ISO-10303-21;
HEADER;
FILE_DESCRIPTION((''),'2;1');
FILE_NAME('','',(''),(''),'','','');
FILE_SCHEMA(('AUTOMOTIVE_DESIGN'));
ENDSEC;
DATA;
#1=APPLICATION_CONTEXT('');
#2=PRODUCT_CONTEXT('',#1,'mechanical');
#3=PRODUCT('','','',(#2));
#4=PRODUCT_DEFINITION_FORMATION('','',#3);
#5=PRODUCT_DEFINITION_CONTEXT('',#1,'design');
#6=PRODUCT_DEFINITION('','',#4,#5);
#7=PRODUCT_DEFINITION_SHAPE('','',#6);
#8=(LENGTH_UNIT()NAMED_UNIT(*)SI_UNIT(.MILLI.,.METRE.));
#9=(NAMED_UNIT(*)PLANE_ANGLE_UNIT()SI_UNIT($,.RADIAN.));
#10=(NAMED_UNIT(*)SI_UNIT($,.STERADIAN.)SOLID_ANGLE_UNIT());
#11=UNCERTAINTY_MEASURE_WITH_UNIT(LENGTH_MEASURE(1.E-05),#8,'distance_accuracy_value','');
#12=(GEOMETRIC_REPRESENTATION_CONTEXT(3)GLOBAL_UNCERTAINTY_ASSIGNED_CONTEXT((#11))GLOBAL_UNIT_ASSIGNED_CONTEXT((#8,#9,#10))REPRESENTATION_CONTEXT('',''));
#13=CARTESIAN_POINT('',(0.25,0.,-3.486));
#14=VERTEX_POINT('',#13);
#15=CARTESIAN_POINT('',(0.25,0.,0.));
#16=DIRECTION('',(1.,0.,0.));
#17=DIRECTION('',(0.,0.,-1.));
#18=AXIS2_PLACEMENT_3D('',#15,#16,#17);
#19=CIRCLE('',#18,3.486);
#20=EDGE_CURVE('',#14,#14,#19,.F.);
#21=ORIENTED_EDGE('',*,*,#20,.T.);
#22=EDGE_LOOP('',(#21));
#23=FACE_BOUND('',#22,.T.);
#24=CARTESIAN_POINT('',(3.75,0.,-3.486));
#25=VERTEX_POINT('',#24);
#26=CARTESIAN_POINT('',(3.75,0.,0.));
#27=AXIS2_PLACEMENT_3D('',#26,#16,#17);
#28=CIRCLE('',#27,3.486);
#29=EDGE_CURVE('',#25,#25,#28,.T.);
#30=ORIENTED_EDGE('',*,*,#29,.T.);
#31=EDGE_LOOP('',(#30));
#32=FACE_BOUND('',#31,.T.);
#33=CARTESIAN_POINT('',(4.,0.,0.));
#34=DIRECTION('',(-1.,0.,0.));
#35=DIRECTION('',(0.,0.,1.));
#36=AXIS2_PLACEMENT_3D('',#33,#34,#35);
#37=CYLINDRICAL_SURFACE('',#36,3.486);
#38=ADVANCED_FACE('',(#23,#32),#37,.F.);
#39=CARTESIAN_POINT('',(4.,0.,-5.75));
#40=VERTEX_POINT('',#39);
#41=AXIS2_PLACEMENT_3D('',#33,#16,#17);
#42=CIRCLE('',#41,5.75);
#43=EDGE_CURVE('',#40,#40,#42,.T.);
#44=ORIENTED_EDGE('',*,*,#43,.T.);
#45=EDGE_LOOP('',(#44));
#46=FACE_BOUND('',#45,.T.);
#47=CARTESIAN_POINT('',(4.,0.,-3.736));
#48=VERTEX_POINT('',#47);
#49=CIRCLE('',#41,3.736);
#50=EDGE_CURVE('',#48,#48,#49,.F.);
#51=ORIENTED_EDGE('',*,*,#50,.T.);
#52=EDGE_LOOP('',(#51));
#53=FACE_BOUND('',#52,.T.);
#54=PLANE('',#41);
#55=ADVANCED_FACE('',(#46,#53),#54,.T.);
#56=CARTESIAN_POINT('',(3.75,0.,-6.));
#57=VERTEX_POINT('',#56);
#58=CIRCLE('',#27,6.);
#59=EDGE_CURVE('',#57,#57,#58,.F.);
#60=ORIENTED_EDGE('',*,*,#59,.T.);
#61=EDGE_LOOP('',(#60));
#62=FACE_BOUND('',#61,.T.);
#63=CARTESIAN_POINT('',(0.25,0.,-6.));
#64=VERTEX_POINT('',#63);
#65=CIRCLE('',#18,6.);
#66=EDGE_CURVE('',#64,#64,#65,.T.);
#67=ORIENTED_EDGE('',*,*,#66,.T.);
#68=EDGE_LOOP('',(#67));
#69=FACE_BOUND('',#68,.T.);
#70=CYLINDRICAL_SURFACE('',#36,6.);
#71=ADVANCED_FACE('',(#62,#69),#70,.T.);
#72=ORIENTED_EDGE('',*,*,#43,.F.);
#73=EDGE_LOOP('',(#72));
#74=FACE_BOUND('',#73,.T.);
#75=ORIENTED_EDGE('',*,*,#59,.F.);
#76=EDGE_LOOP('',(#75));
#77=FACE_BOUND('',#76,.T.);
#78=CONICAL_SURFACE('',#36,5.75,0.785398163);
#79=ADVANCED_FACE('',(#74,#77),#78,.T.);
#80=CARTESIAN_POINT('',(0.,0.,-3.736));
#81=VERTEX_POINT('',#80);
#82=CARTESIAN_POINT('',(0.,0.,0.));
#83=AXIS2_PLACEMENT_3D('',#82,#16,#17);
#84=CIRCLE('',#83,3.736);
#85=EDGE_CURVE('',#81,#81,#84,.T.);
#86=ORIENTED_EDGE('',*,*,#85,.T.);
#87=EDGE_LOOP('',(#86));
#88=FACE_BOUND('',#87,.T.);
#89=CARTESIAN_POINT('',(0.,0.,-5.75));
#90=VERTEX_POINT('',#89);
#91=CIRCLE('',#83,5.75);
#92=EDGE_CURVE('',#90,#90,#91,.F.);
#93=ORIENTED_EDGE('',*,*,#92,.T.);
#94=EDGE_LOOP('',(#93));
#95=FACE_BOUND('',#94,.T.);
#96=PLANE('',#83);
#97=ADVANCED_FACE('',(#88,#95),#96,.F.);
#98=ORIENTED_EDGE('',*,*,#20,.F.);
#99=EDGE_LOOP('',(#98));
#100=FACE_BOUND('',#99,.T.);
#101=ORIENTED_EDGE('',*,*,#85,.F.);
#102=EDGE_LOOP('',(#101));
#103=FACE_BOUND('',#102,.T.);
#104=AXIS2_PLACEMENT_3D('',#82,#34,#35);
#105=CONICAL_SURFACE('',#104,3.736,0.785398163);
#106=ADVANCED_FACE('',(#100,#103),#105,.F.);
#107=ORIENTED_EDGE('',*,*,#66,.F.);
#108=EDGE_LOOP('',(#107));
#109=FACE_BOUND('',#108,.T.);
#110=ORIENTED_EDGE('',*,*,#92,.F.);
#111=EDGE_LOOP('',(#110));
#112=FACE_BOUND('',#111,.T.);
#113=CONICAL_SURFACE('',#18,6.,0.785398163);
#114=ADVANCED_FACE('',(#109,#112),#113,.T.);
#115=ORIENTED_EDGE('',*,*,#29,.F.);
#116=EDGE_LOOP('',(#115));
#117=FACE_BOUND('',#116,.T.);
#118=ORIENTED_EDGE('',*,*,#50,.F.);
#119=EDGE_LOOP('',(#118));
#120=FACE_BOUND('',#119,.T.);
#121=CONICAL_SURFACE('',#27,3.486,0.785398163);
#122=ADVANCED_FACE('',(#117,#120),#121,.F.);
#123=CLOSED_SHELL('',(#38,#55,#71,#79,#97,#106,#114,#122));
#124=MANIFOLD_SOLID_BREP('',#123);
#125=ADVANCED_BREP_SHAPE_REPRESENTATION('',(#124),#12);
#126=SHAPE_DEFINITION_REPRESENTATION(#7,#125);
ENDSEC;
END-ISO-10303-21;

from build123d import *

# Parameters (mm, degrees)
SKETCH1_R           = 6
SKETCH1_R_2         = 3.486
BOSS_EXTRUDE1_DEPTH = 4
CHAMFER1_SIZE       = 0.25


with BuildPart() as part:
    # Sketch1 → Boss-Extrude1 (new body)
    with BuildSketch(Plane(origin=(0, 0, 0), x_dir=(0, 0, -1), z_dir=(1, 0, 0))):
        Circle(SKETCH1_R)
        Circle(SKETCH1_R_2, mode=Mode.SUBTRACT)
    extrude(amount=BOSS_EXTRUDE1_DEPTH)

    # Chamfer1
    chamfer1_edges = [part.edges().sort_by_distance(p)[0] for p in [
        (0, 0, 6),
        (4, 0, 6),
        (0, 0, 3.486),
        (4, 0, 3.486),
    ]]
    chamfer(chamfer1_edges, length=CHAMFER1_SIZE)


solid = part.part
